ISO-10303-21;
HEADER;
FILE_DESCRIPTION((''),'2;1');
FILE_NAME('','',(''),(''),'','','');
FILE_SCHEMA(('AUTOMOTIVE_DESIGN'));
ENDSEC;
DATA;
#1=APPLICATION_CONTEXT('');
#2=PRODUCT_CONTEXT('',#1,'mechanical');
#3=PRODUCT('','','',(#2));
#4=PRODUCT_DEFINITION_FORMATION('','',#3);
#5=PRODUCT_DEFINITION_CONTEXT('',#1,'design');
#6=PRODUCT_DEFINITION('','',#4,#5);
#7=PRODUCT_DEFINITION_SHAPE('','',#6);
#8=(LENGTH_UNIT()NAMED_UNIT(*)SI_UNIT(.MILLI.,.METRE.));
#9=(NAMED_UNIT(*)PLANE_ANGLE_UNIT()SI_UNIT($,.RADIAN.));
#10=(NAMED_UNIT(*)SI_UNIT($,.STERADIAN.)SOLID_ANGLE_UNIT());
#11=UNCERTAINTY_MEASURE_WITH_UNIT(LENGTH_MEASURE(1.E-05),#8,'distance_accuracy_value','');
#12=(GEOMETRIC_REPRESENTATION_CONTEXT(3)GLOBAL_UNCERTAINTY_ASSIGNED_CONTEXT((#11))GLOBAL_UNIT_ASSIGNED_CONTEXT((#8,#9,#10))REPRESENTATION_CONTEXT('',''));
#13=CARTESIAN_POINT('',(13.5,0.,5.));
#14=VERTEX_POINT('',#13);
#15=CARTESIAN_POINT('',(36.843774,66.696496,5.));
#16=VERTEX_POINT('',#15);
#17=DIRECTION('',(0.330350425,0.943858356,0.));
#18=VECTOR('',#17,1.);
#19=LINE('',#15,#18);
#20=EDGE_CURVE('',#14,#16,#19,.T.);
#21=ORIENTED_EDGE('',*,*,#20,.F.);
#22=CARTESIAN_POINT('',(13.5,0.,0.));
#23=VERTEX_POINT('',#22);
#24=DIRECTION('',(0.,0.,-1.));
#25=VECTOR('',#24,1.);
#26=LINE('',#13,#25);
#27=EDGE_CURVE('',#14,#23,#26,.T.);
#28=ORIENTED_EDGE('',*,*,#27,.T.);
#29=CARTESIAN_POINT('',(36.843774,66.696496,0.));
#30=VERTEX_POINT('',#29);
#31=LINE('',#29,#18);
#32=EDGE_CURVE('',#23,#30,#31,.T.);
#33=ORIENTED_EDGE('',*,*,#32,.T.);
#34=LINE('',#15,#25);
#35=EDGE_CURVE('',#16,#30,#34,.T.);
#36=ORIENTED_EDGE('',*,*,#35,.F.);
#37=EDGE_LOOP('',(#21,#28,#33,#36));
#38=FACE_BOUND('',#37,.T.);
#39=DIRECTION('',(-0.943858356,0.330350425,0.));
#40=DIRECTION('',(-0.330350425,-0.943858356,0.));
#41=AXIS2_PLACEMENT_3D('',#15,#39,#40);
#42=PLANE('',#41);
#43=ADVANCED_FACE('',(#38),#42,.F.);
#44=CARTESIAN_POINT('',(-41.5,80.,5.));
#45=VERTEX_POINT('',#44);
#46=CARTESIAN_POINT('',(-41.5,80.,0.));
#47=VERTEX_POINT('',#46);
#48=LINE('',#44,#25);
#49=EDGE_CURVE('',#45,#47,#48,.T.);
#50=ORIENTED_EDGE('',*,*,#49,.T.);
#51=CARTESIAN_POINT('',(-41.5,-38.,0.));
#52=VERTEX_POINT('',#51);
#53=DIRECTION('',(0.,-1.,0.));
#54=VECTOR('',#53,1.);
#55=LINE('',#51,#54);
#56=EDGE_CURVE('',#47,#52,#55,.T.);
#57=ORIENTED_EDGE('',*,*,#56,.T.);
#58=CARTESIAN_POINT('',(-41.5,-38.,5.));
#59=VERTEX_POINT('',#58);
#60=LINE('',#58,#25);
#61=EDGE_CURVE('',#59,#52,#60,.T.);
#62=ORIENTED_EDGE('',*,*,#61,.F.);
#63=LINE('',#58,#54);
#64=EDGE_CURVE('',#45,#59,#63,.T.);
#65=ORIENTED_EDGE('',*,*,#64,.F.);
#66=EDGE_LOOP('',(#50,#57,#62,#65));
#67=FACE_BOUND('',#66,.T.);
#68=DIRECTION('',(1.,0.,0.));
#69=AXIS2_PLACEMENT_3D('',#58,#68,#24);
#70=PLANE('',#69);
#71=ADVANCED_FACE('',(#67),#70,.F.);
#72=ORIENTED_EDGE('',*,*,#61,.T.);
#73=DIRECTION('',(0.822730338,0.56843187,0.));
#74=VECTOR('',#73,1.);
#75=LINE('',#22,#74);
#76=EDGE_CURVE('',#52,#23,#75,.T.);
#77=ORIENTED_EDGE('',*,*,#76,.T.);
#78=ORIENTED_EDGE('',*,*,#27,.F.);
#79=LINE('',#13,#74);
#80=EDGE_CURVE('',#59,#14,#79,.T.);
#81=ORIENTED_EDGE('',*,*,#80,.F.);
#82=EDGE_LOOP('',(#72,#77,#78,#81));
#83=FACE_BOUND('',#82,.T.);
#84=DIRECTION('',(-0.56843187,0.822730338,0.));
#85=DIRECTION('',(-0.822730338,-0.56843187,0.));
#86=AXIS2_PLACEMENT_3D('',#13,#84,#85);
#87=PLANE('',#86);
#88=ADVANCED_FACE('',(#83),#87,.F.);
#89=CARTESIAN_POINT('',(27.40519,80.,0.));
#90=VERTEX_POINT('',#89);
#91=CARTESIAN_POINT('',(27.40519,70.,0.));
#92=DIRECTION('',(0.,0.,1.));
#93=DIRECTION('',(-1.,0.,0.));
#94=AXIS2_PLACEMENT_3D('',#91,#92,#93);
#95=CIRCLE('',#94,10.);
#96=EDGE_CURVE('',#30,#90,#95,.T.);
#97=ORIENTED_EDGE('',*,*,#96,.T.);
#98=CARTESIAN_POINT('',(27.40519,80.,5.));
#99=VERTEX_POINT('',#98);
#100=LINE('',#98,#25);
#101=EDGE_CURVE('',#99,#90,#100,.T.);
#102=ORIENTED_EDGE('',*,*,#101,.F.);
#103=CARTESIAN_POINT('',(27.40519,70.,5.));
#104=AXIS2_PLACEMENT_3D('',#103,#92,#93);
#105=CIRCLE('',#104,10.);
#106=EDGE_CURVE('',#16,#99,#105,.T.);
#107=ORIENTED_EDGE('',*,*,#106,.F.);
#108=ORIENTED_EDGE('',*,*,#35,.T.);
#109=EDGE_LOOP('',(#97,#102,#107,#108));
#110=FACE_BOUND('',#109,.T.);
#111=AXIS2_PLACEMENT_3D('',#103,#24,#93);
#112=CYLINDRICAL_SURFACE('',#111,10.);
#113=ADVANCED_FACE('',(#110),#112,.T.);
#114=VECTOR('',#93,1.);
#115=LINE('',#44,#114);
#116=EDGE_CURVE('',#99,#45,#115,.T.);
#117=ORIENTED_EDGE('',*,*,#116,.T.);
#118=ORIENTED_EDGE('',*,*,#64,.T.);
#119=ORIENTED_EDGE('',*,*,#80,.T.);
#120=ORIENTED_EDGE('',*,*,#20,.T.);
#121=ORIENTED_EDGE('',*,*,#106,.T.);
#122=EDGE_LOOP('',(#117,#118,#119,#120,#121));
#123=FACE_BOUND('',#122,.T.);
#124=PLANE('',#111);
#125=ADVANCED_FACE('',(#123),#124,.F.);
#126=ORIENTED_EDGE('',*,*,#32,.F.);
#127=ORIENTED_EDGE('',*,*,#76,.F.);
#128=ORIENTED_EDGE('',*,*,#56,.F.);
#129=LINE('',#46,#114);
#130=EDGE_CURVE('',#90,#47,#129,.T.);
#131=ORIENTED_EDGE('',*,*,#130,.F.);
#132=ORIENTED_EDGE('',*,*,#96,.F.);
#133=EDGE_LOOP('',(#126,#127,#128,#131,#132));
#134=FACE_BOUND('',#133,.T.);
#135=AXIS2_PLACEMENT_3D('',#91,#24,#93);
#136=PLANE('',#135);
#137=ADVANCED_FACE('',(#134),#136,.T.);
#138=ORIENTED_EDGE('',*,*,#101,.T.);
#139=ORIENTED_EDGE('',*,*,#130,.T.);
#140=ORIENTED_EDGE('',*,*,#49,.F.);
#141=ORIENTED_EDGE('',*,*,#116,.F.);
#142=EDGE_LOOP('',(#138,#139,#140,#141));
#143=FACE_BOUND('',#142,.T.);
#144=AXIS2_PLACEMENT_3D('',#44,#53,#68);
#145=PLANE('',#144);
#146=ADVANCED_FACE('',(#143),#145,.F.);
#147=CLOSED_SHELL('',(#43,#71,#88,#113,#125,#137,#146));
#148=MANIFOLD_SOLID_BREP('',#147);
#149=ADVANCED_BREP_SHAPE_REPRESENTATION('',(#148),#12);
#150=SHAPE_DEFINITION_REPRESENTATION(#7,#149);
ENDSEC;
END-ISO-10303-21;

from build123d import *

# Parameters (mm, degrees)
BOSS_EXTRUDE1_DEPTH = 5


with BuildPart() as part:
    # Sketch1 → Boss-Extrude1 (new body)
    with BuildSketch(Plane.XY):
        with BuildLine():
            Line((-41.5, -38), (-41.5, 80))
            Line((-41.5, 80), (27.40518995, 80))
            ThreePointArc((27.40518995, 80), (35.56101739, 75.786404649), (36.843773513, 66.696495753))
            Line((36.843773513, 66.696495753), (13.5, 0))
            Line((13.5, 0), (-41.5, -38))
        make_face()
    extrude(amount=BOSS_EXTRUDE1_DEPTH)


solid = part.part
